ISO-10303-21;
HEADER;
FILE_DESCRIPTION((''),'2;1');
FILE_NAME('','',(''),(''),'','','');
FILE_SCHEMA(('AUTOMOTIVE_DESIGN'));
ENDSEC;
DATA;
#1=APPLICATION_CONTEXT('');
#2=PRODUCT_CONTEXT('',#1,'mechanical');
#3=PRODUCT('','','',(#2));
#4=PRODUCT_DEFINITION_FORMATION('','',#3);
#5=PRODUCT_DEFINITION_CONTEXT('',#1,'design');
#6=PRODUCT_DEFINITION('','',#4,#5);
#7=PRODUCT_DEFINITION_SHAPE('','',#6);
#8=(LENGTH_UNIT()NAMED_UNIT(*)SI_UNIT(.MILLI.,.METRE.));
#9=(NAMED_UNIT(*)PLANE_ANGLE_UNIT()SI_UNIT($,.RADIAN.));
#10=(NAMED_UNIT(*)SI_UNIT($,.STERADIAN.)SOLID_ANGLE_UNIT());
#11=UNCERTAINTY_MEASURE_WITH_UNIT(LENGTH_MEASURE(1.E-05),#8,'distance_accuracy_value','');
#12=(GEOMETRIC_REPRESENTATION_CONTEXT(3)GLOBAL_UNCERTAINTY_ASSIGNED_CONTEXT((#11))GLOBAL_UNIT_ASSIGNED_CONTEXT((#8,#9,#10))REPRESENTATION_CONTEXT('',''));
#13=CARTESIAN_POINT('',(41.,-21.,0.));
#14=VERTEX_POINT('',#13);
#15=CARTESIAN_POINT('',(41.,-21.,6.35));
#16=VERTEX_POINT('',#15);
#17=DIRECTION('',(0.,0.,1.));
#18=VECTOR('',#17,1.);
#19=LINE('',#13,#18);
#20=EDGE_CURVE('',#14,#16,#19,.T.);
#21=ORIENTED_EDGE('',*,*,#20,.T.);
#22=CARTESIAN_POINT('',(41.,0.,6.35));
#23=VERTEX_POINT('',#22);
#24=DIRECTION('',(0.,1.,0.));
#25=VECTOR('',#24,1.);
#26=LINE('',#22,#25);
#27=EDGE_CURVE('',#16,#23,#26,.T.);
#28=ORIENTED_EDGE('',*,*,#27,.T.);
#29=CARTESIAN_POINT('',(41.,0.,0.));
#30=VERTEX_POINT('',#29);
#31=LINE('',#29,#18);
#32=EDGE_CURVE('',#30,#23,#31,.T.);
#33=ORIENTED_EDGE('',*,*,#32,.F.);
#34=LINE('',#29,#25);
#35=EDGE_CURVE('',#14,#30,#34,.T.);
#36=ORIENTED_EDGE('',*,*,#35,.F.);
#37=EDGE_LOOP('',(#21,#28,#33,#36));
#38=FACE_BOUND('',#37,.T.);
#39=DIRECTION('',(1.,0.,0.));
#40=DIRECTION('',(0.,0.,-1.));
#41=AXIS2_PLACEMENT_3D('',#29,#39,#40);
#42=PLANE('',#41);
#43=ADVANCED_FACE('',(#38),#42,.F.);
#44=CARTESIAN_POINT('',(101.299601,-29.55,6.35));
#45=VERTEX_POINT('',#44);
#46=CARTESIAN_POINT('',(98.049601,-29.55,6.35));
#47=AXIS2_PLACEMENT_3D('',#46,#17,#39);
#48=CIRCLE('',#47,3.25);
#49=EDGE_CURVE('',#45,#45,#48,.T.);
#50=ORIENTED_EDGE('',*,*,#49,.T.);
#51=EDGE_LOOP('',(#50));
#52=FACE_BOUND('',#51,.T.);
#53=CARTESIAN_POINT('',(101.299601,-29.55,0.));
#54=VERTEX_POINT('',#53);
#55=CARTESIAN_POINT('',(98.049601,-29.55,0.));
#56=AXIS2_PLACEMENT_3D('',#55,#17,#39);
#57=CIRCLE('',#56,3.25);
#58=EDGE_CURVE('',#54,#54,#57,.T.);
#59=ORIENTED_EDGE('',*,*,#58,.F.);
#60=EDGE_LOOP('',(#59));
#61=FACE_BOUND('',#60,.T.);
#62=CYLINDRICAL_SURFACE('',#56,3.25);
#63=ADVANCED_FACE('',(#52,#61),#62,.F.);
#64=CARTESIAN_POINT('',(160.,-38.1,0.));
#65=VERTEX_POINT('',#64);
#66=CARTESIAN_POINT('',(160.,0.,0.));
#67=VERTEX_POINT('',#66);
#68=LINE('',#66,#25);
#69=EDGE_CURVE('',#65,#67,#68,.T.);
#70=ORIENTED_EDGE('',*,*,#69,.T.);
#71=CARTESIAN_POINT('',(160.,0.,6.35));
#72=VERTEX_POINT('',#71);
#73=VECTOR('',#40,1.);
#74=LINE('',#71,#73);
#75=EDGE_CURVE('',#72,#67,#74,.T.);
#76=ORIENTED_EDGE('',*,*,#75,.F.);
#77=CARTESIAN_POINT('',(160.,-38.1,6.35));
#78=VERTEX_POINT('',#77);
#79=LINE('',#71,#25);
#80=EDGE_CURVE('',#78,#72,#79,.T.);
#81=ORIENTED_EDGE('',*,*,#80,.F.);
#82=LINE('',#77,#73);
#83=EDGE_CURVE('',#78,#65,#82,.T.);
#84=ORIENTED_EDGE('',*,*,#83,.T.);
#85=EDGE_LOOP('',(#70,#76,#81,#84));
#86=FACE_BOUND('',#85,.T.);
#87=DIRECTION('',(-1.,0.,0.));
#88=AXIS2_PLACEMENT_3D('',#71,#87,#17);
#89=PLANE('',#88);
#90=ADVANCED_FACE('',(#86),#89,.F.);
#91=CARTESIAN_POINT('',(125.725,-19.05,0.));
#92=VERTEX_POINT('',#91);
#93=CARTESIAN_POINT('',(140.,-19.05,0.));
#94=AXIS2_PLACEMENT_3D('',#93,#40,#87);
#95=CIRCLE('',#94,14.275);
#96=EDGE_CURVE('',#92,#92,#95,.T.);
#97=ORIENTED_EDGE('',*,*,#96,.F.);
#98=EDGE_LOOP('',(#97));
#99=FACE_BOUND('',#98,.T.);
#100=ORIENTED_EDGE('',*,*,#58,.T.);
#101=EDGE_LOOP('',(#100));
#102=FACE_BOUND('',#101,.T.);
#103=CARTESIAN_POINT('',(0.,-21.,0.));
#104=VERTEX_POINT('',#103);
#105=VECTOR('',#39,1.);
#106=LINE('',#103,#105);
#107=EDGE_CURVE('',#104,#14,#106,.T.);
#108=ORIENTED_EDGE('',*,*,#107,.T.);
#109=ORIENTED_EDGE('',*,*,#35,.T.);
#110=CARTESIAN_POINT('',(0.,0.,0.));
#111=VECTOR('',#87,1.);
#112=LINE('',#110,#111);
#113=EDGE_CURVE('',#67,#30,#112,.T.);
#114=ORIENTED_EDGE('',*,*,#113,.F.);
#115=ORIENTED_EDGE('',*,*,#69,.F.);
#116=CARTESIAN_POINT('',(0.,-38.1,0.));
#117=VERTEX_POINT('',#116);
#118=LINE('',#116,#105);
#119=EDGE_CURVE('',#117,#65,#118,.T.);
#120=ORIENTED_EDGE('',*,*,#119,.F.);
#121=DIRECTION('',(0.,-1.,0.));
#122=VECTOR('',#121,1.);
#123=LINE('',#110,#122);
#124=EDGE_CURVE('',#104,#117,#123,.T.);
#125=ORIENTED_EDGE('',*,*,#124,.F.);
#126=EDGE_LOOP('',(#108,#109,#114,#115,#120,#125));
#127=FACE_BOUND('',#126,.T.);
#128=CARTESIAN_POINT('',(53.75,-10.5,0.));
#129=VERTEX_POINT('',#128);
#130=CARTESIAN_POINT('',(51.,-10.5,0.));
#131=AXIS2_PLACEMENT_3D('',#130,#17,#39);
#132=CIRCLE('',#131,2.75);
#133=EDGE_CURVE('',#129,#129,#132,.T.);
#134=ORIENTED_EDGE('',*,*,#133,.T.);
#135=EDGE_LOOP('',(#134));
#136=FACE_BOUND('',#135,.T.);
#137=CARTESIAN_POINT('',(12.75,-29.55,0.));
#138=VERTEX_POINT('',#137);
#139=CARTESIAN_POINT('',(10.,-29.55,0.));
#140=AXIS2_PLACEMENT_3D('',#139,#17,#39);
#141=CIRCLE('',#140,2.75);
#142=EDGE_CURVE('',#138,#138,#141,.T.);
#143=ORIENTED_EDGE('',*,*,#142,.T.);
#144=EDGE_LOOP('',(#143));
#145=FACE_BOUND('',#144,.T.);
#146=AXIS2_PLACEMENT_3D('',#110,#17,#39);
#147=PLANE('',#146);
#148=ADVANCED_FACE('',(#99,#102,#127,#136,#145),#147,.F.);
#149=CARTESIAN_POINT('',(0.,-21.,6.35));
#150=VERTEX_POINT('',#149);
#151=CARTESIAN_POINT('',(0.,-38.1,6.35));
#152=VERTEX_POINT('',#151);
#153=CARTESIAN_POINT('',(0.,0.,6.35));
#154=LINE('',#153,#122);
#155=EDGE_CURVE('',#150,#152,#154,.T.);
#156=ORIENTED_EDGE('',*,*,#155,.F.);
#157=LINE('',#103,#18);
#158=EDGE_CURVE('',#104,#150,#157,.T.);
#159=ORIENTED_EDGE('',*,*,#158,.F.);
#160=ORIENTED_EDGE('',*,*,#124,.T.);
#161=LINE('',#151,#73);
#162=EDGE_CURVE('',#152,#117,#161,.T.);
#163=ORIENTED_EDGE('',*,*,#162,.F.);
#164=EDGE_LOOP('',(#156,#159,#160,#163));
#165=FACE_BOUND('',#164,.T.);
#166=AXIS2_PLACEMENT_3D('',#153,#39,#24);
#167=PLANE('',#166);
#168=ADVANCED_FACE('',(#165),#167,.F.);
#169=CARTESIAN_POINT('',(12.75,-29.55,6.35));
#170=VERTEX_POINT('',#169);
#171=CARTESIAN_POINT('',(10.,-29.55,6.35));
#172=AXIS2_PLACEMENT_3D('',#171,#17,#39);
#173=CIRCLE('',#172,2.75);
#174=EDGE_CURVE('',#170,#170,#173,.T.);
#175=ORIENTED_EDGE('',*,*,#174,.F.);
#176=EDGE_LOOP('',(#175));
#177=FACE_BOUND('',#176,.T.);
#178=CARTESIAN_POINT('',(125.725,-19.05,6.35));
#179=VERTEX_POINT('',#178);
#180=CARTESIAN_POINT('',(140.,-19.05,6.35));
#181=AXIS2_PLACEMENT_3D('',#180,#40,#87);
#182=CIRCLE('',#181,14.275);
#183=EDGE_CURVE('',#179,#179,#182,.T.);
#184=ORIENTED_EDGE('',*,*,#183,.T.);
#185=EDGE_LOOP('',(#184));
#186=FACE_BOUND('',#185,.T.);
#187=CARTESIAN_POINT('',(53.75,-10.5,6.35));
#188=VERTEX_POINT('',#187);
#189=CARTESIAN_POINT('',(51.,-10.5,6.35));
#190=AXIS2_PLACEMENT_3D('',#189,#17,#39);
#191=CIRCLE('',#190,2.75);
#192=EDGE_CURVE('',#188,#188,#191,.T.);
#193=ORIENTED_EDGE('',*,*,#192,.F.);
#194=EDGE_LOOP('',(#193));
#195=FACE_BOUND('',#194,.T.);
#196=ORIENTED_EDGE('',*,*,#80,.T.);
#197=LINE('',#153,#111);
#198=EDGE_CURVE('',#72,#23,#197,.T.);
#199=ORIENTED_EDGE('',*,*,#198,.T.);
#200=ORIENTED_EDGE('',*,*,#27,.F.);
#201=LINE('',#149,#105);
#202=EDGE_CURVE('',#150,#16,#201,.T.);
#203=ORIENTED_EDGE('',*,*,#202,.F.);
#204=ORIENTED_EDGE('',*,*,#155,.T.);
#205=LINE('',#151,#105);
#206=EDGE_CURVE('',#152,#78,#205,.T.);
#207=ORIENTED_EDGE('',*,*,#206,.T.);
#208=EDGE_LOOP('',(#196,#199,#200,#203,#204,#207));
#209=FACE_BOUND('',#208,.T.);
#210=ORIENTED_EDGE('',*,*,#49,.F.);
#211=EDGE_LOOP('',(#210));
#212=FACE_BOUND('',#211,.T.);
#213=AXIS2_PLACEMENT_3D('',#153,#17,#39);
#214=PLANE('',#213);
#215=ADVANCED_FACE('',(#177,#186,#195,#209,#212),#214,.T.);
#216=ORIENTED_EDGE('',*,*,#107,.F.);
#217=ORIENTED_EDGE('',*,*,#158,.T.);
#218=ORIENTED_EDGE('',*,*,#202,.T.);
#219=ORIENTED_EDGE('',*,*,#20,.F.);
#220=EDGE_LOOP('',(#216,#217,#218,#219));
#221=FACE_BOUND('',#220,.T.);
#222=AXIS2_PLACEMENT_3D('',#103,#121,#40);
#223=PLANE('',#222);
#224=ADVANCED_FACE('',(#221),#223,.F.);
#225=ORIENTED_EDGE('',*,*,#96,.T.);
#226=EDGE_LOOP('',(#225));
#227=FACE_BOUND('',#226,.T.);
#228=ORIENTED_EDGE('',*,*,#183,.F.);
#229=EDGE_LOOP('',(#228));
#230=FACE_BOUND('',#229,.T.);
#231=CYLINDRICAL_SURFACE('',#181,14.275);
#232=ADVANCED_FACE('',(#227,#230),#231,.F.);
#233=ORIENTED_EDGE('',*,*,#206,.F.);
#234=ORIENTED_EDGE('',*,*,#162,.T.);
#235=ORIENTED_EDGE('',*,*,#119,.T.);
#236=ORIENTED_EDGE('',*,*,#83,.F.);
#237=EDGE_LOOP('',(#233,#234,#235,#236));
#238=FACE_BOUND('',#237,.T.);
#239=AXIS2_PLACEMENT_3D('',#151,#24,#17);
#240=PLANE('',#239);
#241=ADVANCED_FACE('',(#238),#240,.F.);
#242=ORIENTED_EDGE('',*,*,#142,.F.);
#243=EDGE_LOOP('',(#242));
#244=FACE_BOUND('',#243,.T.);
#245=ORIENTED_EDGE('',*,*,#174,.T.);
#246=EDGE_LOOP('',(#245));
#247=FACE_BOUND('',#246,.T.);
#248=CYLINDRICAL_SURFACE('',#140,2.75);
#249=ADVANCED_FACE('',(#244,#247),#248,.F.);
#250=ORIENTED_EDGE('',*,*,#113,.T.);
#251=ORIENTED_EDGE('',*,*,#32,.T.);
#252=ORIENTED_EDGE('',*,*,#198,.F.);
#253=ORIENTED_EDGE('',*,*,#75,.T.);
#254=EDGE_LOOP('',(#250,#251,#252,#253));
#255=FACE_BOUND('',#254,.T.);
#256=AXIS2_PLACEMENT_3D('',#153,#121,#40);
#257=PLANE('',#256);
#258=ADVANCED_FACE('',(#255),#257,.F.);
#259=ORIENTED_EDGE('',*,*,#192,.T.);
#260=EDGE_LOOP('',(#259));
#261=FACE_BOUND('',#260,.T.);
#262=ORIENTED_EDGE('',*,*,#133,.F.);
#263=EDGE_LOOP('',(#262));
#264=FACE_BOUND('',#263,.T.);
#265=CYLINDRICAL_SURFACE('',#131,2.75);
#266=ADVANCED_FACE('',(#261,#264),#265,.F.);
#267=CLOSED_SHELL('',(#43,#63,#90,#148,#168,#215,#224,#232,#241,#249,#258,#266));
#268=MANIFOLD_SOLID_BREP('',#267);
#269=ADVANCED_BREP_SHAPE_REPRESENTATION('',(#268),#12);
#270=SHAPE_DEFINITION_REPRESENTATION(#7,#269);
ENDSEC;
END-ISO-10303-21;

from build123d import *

# Parameters (mm, degrees)
SKETCH1_W           = 160
SKETCH1_H           = 38.1
BOSS_EXTRUDE1_DEPTH = 6.35
SKETCH2_R           = 14.275
CUT_EXTRUDE1_DEPTH  = 7.35
SKETCH3_W           = 41
SKETCH3_H           = 21
CUT_EXTRUDE2_DEPTH  = 7.35
SKETCH4_R           = 2.75
SKETCH4_R_2         = 3.25
CUT_EXTRUDE3_DEPTH  = 7.35


with BuildPart() as part:
    # Sketch1 → Boss-Extrude1 (new body)
    with BuildSketch(Plane.XY):
        with Locations((80, -19.05)):
            Rectangle(SKETCH1_W, SKETCH1_H)
    extrude(amount=BOSS_EXTRUDE1_DEPTH)

    # Sketch2 → Cut-Extrude1 (cut, through all)
    with BuildSketch(Plane(origin=(0, 0, 0), x_dir=(-1, 0, 0), z_dir=(0, 0, -1))):
        with Locations((-140, -19.05)):
            Circle(SKETCH2_R)
    extrude(amount=-CUT_EXTRUDE1_DEPTH, mode=Mode.SUBTRACT)

    # Sketch3 → Cut-Extrude2 (cut, through all)
    with BuildSketch(Plane.XY.offset(6.35)):
        with Locations((20.5, -10.5)):
            Rectangle(SKETCH3_W, SKETCH3_H)
    extrude(amount=-CUT_EXTRUDE2_DEPTH, mode=Mode.SUBTRACT)

    # Sketch4 → Cut-Extrude3 (cut, through all)
    with BuildSketch(Plane.XY.offset(6.35)):
        with Locations((10, -29.55)):
            Circle(SKETCH4_R)
        with Locations((51, -10.5)):
            Circle(SKETCH4_R)
        with Locations((98.049601269, -29.55)):
            Circle(SKETCH4_R_2)
    extrude(amount=-CUT_EXTRUDE3_DEPTH, mode=Mode.SUBTRACT)


solid = part.part
